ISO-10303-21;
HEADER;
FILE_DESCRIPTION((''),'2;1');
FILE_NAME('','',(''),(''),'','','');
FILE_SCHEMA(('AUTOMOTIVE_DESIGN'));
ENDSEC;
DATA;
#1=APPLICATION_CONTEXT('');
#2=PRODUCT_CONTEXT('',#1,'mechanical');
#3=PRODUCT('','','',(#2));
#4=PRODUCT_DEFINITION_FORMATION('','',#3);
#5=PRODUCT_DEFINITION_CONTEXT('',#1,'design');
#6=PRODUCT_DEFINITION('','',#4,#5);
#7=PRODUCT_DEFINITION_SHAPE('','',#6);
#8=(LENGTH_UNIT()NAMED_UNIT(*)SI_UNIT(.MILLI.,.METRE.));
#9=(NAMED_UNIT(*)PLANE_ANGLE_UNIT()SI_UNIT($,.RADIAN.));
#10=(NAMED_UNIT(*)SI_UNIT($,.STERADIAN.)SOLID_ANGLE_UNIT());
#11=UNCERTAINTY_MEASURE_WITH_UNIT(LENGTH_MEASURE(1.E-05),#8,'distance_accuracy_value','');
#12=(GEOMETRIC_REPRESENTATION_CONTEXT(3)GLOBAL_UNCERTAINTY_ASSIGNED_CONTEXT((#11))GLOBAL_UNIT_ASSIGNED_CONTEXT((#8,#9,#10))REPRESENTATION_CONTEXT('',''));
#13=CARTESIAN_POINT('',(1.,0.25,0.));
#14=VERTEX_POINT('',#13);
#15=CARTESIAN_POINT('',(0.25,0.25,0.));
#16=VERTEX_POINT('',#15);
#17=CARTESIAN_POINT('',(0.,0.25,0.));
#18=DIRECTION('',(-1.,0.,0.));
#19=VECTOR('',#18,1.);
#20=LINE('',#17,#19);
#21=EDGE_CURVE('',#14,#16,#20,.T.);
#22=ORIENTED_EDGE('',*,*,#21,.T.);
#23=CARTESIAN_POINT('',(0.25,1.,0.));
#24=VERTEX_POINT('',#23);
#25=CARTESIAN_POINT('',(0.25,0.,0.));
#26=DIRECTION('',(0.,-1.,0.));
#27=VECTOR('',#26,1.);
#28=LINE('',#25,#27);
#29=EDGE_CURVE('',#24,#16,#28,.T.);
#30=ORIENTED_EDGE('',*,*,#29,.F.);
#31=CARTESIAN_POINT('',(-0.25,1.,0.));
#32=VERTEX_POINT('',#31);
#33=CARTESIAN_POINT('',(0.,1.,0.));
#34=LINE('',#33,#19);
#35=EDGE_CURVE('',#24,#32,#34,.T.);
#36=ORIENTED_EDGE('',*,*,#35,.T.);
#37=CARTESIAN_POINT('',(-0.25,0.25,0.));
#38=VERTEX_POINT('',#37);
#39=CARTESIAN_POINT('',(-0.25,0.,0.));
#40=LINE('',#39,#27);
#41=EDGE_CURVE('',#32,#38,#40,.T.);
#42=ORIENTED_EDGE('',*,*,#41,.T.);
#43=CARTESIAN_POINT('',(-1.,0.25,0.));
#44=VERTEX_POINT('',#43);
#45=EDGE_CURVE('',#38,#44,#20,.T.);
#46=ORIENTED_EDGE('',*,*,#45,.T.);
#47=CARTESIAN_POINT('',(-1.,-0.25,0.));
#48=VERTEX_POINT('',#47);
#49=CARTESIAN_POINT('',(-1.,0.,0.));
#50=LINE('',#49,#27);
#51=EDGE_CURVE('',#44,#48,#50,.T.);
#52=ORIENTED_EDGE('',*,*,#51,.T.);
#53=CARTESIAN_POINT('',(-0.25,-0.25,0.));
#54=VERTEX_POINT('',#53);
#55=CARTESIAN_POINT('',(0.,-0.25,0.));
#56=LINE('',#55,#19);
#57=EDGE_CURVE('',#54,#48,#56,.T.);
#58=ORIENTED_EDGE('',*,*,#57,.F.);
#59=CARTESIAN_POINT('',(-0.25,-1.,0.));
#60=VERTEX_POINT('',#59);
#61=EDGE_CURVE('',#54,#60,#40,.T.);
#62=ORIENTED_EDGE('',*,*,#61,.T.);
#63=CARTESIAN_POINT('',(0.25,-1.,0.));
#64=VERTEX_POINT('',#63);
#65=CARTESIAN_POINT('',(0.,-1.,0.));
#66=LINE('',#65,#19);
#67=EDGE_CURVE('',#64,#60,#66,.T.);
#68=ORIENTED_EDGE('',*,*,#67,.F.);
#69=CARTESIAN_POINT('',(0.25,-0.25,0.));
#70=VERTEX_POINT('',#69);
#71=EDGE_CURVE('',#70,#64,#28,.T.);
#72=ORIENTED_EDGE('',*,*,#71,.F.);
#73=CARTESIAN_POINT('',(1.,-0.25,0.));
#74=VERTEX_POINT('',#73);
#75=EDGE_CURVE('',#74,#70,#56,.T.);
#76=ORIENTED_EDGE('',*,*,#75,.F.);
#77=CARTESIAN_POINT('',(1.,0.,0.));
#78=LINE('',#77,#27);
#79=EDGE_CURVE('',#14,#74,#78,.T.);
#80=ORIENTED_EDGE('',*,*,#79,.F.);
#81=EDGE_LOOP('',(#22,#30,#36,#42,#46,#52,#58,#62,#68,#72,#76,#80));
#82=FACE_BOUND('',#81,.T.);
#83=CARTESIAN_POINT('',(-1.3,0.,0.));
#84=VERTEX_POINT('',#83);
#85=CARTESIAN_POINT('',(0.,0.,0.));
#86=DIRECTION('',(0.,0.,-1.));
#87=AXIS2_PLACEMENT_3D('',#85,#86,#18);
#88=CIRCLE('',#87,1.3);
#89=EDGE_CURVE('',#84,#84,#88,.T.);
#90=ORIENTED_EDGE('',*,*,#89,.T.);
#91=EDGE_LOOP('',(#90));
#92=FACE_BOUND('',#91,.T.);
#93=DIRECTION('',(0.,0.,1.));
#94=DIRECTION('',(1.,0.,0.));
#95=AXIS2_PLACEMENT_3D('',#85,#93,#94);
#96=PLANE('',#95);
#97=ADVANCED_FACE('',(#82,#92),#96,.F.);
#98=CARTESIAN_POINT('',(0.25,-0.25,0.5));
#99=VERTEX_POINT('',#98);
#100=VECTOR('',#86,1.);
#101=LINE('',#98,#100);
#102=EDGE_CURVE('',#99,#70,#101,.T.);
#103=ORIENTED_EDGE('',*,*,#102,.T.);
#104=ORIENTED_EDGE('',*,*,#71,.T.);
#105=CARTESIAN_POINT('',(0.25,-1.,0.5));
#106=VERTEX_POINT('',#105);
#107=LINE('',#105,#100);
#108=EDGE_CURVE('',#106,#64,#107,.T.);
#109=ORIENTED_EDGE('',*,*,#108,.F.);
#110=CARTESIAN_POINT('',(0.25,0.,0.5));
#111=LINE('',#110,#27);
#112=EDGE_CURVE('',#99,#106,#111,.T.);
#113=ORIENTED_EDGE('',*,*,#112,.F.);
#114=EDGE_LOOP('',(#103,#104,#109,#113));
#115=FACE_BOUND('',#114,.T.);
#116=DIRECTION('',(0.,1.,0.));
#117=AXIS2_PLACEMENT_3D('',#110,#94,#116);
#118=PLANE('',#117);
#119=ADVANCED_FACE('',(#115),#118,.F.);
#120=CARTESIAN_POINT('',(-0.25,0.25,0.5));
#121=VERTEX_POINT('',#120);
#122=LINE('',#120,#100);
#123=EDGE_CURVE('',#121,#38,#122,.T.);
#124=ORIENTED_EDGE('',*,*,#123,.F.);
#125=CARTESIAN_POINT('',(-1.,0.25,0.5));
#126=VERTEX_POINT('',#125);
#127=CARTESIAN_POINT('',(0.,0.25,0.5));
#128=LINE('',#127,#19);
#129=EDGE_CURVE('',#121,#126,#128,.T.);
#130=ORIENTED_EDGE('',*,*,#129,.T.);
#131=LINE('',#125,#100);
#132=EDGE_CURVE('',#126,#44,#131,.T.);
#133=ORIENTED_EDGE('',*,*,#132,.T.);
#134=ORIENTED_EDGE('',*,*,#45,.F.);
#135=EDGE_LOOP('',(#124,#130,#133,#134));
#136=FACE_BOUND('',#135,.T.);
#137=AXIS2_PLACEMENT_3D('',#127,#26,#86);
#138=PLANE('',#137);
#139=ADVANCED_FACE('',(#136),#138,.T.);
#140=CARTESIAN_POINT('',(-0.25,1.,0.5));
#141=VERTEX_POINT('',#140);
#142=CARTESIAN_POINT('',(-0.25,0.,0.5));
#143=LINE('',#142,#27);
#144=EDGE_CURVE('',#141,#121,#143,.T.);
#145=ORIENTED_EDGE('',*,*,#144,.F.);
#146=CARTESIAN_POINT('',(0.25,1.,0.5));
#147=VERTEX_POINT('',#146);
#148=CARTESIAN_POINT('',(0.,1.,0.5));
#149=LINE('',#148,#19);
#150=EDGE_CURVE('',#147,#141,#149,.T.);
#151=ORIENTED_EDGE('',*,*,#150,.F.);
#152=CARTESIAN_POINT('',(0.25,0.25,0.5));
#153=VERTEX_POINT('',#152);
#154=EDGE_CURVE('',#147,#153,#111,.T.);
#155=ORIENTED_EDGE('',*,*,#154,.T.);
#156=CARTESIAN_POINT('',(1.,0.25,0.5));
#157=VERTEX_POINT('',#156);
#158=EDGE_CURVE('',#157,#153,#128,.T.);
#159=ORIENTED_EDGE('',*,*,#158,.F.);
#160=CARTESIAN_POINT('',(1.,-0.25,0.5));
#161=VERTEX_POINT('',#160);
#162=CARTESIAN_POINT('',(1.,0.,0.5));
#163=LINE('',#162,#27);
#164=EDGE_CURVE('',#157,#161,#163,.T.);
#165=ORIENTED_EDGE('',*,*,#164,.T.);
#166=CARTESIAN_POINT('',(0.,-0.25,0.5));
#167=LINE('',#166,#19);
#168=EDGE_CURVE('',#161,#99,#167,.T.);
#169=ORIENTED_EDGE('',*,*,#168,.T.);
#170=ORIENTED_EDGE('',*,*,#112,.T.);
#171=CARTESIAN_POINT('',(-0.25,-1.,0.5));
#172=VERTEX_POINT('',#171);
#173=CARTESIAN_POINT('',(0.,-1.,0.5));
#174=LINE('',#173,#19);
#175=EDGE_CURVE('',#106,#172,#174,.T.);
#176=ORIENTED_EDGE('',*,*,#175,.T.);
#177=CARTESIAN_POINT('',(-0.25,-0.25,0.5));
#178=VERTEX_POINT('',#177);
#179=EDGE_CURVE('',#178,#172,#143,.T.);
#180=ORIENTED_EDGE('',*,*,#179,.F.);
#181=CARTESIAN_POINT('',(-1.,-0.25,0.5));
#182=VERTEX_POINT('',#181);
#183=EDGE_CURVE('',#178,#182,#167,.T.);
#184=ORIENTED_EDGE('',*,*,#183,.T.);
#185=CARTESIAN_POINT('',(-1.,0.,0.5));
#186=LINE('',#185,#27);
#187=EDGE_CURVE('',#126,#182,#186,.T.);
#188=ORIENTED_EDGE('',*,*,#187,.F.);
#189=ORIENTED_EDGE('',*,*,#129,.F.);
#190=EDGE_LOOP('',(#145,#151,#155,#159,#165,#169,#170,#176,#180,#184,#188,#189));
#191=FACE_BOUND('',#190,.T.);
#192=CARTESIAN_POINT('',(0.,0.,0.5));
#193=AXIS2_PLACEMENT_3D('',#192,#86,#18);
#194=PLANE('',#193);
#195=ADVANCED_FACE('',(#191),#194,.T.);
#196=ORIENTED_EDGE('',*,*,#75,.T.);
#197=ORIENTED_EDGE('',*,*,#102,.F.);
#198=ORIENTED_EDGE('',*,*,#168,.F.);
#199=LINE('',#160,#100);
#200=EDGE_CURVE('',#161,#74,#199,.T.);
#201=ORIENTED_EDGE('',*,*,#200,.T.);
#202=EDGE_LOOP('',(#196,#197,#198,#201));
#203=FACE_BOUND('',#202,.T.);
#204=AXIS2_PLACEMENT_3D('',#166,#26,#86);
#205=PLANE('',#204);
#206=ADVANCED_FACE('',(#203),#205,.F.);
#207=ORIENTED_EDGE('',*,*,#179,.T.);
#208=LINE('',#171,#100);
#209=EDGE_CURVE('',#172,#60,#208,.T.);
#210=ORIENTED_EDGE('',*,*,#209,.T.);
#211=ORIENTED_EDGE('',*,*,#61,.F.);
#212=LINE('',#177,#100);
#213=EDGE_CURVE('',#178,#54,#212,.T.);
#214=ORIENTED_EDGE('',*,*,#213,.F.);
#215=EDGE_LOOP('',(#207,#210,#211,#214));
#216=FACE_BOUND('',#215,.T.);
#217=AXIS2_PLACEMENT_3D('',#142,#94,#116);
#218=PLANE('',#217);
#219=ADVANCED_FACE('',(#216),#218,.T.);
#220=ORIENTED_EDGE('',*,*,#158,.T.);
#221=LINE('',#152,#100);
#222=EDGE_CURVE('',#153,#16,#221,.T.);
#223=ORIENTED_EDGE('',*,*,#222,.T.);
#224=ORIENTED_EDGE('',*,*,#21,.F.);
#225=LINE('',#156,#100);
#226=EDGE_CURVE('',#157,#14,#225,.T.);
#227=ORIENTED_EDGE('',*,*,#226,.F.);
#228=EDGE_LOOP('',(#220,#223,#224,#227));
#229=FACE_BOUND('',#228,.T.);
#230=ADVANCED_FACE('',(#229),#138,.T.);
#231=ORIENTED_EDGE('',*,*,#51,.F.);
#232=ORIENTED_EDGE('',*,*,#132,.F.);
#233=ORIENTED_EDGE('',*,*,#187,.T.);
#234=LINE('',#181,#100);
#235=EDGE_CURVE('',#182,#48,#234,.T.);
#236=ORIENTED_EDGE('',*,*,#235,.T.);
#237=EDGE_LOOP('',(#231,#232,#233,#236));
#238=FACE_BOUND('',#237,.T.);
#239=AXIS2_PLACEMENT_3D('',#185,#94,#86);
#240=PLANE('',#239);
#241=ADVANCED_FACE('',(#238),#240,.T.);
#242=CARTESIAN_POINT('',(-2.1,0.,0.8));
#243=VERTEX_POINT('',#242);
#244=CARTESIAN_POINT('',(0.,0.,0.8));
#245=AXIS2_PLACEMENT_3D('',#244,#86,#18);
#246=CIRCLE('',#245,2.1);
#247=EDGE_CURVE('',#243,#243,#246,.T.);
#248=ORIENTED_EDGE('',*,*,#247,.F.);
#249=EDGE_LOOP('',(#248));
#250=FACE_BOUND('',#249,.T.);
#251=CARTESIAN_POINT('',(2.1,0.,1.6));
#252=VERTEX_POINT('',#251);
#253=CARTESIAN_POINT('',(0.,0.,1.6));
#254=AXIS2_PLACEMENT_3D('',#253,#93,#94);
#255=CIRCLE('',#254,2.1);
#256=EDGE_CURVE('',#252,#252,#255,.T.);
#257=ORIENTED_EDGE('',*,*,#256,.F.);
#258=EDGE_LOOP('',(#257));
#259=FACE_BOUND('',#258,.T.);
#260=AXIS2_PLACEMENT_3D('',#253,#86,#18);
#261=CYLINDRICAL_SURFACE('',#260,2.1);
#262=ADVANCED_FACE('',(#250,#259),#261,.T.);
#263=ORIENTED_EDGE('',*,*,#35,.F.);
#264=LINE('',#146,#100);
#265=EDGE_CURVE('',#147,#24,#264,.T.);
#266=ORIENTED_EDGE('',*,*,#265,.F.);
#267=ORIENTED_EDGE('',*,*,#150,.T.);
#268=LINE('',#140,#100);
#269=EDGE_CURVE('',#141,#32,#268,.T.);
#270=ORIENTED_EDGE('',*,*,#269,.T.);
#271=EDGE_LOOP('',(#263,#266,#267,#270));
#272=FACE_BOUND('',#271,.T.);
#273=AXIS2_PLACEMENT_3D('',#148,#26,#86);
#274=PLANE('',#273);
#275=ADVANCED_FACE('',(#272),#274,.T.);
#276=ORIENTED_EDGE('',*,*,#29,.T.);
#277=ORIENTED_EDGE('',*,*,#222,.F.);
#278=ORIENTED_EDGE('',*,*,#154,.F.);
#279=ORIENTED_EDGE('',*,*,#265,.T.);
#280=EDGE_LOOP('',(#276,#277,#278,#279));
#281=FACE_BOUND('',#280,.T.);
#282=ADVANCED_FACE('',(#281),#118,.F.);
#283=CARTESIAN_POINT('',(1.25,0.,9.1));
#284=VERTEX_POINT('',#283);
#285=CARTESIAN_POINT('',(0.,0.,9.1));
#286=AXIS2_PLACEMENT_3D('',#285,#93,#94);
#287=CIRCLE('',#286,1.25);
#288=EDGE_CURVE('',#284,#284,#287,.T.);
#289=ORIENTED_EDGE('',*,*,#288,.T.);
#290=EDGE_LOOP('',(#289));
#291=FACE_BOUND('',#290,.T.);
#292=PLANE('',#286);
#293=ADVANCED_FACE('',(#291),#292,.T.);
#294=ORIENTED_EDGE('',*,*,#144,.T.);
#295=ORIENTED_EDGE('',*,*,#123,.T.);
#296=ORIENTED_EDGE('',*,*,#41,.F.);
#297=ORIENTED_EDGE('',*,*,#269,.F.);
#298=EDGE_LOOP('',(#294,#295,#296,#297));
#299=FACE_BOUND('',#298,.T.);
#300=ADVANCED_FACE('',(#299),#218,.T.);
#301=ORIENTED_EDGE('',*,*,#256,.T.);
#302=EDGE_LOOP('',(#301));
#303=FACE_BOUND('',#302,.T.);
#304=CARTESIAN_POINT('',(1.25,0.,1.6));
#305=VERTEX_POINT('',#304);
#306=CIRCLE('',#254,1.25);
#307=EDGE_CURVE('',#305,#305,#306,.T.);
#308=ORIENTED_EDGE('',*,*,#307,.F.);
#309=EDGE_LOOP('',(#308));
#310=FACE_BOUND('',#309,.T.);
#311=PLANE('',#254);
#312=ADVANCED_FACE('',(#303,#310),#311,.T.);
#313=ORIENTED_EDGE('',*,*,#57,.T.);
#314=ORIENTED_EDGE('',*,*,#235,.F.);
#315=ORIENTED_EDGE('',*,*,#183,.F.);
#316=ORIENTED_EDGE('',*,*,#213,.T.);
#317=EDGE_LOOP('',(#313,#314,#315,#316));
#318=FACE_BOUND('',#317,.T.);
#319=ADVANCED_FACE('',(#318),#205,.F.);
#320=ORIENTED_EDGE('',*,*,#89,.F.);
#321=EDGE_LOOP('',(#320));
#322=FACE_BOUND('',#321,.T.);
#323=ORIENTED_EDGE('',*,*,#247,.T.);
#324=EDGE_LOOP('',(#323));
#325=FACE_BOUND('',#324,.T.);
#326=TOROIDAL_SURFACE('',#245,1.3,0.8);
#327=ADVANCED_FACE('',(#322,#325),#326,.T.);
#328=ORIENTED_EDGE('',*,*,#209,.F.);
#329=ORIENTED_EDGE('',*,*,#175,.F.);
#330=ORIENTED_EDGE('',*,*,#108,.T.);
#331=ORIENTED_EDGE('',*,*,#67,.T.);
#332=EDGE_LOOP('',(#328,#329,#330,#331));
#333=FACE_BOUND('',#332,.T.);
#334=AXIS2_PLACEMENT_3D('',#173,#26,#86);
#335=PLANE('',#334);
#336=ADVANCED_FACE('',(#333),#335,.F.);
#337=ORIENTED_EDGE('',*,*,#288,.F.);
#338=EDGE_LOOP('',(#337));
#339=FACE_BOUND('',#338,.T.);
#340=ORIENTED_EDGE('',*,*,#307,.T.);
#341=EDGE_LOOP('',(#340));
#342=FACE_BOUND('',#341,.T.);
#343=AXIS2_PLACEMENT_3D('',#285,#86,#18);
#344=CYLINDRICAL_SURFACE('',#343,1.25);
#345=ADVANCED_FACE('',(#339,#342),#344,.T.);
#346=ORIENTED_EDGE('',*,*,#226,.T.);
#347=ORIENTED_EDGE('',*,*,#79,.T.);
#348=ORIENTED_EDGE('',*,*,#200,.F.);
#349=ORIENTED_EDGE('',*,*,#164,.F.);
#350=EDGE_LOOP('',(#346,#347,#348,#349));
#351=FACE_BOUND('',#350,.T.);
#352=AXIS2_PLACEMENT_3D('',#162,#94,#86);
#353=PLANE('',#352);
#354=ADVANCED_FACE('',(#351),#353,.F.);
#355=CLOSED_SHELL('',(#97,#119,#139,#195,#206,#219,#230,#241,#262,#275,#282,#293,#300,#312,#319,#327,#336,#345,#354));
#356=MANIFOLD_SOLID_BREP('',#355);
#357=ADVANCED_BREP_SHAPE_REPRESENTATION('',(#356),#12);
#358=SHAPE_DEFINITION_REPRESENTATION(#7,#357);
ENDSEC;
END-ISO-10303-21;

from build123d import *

# Parameters (mm, degrees)
SKETCH1_R           = 2.1
BOSS_EXTRUDE1_DEPTH = 1.6
SKETCH3_W           = 0.5
SKETCH3_H           = 0.75
SKETCH3_W_2         = 0.75
SKETCH3_H_2         = 0.5
CUT_EXTRUDE1_DEPTH  = 0.5
SKETCH4_R           = 1.25
BOSS_EXTRUDE2_DEPTH = 7.5


with BuildPart() as part:
    # Sketch1 → Boss-Extrude1 (new body)
    with BuildSketch(Plane.XY):
        Circle(SKETCH1_R)
    extrude(amount=BOSS_EXTRUDE1_DEPTH)

    # Sketch2 → Cut-Revolve1 (revolve, cut)
    with BuildSketch(Plane(origin=(0, 0, 0), x_dir=(1, 0, 0), z_dir=(0, 1, 0))):
        with BuildLine():
            Line((-2.1, -0.8), (-2.1, 0))
            Line((-2.1, 0), (-1.3, 0))
            ThreePointArc((-1.3, 0), (-1.865685425, -0.234314575), (-2.1, -0.8))
        make_face()
    revolve(axis=Axis((0, 0, 0), (0, 0, 1)), mode=Mode.SUBTRACT)

    # Sketch3 → Cut-Extrude1 (cut)
    with BuildSketch(Plane(origin=(0, 0, 0), x_dir=(-1, 0, 0), z_dir=(0, 0, -1))):
        with Locations((0, -0.625)):
            Rectangle(SKETCH3_W, SKETCH3_H)
        with Locations((0.625, 0)):
            Rectangle(SKETCH3_W_2, SKETCH3_H_2)
        with Locations((-0.625, 0)):
            Rectangle(SKETCH3_W_2, SKETCH3_H_2)
        with Locations((0, 0.625)):
            Rectangle(SKETCH3_W, SKETCH3_H)
        Rectangle(SKETCH3_W, SKETCH3_H_2)
    extrude(amount=-CUT_EXTRUDE1_DEPTH, mode=Mode.SUBTRACT)

    # Sketch4 → Boss-Extrude2 (add)
    with BuildSketch(Plane.XY.offset(1.6)):
        Circle(SKETCH4_R)
    extrude(amount=BOSS_EXTRUDE2_DEPTH)


solid = part.part
